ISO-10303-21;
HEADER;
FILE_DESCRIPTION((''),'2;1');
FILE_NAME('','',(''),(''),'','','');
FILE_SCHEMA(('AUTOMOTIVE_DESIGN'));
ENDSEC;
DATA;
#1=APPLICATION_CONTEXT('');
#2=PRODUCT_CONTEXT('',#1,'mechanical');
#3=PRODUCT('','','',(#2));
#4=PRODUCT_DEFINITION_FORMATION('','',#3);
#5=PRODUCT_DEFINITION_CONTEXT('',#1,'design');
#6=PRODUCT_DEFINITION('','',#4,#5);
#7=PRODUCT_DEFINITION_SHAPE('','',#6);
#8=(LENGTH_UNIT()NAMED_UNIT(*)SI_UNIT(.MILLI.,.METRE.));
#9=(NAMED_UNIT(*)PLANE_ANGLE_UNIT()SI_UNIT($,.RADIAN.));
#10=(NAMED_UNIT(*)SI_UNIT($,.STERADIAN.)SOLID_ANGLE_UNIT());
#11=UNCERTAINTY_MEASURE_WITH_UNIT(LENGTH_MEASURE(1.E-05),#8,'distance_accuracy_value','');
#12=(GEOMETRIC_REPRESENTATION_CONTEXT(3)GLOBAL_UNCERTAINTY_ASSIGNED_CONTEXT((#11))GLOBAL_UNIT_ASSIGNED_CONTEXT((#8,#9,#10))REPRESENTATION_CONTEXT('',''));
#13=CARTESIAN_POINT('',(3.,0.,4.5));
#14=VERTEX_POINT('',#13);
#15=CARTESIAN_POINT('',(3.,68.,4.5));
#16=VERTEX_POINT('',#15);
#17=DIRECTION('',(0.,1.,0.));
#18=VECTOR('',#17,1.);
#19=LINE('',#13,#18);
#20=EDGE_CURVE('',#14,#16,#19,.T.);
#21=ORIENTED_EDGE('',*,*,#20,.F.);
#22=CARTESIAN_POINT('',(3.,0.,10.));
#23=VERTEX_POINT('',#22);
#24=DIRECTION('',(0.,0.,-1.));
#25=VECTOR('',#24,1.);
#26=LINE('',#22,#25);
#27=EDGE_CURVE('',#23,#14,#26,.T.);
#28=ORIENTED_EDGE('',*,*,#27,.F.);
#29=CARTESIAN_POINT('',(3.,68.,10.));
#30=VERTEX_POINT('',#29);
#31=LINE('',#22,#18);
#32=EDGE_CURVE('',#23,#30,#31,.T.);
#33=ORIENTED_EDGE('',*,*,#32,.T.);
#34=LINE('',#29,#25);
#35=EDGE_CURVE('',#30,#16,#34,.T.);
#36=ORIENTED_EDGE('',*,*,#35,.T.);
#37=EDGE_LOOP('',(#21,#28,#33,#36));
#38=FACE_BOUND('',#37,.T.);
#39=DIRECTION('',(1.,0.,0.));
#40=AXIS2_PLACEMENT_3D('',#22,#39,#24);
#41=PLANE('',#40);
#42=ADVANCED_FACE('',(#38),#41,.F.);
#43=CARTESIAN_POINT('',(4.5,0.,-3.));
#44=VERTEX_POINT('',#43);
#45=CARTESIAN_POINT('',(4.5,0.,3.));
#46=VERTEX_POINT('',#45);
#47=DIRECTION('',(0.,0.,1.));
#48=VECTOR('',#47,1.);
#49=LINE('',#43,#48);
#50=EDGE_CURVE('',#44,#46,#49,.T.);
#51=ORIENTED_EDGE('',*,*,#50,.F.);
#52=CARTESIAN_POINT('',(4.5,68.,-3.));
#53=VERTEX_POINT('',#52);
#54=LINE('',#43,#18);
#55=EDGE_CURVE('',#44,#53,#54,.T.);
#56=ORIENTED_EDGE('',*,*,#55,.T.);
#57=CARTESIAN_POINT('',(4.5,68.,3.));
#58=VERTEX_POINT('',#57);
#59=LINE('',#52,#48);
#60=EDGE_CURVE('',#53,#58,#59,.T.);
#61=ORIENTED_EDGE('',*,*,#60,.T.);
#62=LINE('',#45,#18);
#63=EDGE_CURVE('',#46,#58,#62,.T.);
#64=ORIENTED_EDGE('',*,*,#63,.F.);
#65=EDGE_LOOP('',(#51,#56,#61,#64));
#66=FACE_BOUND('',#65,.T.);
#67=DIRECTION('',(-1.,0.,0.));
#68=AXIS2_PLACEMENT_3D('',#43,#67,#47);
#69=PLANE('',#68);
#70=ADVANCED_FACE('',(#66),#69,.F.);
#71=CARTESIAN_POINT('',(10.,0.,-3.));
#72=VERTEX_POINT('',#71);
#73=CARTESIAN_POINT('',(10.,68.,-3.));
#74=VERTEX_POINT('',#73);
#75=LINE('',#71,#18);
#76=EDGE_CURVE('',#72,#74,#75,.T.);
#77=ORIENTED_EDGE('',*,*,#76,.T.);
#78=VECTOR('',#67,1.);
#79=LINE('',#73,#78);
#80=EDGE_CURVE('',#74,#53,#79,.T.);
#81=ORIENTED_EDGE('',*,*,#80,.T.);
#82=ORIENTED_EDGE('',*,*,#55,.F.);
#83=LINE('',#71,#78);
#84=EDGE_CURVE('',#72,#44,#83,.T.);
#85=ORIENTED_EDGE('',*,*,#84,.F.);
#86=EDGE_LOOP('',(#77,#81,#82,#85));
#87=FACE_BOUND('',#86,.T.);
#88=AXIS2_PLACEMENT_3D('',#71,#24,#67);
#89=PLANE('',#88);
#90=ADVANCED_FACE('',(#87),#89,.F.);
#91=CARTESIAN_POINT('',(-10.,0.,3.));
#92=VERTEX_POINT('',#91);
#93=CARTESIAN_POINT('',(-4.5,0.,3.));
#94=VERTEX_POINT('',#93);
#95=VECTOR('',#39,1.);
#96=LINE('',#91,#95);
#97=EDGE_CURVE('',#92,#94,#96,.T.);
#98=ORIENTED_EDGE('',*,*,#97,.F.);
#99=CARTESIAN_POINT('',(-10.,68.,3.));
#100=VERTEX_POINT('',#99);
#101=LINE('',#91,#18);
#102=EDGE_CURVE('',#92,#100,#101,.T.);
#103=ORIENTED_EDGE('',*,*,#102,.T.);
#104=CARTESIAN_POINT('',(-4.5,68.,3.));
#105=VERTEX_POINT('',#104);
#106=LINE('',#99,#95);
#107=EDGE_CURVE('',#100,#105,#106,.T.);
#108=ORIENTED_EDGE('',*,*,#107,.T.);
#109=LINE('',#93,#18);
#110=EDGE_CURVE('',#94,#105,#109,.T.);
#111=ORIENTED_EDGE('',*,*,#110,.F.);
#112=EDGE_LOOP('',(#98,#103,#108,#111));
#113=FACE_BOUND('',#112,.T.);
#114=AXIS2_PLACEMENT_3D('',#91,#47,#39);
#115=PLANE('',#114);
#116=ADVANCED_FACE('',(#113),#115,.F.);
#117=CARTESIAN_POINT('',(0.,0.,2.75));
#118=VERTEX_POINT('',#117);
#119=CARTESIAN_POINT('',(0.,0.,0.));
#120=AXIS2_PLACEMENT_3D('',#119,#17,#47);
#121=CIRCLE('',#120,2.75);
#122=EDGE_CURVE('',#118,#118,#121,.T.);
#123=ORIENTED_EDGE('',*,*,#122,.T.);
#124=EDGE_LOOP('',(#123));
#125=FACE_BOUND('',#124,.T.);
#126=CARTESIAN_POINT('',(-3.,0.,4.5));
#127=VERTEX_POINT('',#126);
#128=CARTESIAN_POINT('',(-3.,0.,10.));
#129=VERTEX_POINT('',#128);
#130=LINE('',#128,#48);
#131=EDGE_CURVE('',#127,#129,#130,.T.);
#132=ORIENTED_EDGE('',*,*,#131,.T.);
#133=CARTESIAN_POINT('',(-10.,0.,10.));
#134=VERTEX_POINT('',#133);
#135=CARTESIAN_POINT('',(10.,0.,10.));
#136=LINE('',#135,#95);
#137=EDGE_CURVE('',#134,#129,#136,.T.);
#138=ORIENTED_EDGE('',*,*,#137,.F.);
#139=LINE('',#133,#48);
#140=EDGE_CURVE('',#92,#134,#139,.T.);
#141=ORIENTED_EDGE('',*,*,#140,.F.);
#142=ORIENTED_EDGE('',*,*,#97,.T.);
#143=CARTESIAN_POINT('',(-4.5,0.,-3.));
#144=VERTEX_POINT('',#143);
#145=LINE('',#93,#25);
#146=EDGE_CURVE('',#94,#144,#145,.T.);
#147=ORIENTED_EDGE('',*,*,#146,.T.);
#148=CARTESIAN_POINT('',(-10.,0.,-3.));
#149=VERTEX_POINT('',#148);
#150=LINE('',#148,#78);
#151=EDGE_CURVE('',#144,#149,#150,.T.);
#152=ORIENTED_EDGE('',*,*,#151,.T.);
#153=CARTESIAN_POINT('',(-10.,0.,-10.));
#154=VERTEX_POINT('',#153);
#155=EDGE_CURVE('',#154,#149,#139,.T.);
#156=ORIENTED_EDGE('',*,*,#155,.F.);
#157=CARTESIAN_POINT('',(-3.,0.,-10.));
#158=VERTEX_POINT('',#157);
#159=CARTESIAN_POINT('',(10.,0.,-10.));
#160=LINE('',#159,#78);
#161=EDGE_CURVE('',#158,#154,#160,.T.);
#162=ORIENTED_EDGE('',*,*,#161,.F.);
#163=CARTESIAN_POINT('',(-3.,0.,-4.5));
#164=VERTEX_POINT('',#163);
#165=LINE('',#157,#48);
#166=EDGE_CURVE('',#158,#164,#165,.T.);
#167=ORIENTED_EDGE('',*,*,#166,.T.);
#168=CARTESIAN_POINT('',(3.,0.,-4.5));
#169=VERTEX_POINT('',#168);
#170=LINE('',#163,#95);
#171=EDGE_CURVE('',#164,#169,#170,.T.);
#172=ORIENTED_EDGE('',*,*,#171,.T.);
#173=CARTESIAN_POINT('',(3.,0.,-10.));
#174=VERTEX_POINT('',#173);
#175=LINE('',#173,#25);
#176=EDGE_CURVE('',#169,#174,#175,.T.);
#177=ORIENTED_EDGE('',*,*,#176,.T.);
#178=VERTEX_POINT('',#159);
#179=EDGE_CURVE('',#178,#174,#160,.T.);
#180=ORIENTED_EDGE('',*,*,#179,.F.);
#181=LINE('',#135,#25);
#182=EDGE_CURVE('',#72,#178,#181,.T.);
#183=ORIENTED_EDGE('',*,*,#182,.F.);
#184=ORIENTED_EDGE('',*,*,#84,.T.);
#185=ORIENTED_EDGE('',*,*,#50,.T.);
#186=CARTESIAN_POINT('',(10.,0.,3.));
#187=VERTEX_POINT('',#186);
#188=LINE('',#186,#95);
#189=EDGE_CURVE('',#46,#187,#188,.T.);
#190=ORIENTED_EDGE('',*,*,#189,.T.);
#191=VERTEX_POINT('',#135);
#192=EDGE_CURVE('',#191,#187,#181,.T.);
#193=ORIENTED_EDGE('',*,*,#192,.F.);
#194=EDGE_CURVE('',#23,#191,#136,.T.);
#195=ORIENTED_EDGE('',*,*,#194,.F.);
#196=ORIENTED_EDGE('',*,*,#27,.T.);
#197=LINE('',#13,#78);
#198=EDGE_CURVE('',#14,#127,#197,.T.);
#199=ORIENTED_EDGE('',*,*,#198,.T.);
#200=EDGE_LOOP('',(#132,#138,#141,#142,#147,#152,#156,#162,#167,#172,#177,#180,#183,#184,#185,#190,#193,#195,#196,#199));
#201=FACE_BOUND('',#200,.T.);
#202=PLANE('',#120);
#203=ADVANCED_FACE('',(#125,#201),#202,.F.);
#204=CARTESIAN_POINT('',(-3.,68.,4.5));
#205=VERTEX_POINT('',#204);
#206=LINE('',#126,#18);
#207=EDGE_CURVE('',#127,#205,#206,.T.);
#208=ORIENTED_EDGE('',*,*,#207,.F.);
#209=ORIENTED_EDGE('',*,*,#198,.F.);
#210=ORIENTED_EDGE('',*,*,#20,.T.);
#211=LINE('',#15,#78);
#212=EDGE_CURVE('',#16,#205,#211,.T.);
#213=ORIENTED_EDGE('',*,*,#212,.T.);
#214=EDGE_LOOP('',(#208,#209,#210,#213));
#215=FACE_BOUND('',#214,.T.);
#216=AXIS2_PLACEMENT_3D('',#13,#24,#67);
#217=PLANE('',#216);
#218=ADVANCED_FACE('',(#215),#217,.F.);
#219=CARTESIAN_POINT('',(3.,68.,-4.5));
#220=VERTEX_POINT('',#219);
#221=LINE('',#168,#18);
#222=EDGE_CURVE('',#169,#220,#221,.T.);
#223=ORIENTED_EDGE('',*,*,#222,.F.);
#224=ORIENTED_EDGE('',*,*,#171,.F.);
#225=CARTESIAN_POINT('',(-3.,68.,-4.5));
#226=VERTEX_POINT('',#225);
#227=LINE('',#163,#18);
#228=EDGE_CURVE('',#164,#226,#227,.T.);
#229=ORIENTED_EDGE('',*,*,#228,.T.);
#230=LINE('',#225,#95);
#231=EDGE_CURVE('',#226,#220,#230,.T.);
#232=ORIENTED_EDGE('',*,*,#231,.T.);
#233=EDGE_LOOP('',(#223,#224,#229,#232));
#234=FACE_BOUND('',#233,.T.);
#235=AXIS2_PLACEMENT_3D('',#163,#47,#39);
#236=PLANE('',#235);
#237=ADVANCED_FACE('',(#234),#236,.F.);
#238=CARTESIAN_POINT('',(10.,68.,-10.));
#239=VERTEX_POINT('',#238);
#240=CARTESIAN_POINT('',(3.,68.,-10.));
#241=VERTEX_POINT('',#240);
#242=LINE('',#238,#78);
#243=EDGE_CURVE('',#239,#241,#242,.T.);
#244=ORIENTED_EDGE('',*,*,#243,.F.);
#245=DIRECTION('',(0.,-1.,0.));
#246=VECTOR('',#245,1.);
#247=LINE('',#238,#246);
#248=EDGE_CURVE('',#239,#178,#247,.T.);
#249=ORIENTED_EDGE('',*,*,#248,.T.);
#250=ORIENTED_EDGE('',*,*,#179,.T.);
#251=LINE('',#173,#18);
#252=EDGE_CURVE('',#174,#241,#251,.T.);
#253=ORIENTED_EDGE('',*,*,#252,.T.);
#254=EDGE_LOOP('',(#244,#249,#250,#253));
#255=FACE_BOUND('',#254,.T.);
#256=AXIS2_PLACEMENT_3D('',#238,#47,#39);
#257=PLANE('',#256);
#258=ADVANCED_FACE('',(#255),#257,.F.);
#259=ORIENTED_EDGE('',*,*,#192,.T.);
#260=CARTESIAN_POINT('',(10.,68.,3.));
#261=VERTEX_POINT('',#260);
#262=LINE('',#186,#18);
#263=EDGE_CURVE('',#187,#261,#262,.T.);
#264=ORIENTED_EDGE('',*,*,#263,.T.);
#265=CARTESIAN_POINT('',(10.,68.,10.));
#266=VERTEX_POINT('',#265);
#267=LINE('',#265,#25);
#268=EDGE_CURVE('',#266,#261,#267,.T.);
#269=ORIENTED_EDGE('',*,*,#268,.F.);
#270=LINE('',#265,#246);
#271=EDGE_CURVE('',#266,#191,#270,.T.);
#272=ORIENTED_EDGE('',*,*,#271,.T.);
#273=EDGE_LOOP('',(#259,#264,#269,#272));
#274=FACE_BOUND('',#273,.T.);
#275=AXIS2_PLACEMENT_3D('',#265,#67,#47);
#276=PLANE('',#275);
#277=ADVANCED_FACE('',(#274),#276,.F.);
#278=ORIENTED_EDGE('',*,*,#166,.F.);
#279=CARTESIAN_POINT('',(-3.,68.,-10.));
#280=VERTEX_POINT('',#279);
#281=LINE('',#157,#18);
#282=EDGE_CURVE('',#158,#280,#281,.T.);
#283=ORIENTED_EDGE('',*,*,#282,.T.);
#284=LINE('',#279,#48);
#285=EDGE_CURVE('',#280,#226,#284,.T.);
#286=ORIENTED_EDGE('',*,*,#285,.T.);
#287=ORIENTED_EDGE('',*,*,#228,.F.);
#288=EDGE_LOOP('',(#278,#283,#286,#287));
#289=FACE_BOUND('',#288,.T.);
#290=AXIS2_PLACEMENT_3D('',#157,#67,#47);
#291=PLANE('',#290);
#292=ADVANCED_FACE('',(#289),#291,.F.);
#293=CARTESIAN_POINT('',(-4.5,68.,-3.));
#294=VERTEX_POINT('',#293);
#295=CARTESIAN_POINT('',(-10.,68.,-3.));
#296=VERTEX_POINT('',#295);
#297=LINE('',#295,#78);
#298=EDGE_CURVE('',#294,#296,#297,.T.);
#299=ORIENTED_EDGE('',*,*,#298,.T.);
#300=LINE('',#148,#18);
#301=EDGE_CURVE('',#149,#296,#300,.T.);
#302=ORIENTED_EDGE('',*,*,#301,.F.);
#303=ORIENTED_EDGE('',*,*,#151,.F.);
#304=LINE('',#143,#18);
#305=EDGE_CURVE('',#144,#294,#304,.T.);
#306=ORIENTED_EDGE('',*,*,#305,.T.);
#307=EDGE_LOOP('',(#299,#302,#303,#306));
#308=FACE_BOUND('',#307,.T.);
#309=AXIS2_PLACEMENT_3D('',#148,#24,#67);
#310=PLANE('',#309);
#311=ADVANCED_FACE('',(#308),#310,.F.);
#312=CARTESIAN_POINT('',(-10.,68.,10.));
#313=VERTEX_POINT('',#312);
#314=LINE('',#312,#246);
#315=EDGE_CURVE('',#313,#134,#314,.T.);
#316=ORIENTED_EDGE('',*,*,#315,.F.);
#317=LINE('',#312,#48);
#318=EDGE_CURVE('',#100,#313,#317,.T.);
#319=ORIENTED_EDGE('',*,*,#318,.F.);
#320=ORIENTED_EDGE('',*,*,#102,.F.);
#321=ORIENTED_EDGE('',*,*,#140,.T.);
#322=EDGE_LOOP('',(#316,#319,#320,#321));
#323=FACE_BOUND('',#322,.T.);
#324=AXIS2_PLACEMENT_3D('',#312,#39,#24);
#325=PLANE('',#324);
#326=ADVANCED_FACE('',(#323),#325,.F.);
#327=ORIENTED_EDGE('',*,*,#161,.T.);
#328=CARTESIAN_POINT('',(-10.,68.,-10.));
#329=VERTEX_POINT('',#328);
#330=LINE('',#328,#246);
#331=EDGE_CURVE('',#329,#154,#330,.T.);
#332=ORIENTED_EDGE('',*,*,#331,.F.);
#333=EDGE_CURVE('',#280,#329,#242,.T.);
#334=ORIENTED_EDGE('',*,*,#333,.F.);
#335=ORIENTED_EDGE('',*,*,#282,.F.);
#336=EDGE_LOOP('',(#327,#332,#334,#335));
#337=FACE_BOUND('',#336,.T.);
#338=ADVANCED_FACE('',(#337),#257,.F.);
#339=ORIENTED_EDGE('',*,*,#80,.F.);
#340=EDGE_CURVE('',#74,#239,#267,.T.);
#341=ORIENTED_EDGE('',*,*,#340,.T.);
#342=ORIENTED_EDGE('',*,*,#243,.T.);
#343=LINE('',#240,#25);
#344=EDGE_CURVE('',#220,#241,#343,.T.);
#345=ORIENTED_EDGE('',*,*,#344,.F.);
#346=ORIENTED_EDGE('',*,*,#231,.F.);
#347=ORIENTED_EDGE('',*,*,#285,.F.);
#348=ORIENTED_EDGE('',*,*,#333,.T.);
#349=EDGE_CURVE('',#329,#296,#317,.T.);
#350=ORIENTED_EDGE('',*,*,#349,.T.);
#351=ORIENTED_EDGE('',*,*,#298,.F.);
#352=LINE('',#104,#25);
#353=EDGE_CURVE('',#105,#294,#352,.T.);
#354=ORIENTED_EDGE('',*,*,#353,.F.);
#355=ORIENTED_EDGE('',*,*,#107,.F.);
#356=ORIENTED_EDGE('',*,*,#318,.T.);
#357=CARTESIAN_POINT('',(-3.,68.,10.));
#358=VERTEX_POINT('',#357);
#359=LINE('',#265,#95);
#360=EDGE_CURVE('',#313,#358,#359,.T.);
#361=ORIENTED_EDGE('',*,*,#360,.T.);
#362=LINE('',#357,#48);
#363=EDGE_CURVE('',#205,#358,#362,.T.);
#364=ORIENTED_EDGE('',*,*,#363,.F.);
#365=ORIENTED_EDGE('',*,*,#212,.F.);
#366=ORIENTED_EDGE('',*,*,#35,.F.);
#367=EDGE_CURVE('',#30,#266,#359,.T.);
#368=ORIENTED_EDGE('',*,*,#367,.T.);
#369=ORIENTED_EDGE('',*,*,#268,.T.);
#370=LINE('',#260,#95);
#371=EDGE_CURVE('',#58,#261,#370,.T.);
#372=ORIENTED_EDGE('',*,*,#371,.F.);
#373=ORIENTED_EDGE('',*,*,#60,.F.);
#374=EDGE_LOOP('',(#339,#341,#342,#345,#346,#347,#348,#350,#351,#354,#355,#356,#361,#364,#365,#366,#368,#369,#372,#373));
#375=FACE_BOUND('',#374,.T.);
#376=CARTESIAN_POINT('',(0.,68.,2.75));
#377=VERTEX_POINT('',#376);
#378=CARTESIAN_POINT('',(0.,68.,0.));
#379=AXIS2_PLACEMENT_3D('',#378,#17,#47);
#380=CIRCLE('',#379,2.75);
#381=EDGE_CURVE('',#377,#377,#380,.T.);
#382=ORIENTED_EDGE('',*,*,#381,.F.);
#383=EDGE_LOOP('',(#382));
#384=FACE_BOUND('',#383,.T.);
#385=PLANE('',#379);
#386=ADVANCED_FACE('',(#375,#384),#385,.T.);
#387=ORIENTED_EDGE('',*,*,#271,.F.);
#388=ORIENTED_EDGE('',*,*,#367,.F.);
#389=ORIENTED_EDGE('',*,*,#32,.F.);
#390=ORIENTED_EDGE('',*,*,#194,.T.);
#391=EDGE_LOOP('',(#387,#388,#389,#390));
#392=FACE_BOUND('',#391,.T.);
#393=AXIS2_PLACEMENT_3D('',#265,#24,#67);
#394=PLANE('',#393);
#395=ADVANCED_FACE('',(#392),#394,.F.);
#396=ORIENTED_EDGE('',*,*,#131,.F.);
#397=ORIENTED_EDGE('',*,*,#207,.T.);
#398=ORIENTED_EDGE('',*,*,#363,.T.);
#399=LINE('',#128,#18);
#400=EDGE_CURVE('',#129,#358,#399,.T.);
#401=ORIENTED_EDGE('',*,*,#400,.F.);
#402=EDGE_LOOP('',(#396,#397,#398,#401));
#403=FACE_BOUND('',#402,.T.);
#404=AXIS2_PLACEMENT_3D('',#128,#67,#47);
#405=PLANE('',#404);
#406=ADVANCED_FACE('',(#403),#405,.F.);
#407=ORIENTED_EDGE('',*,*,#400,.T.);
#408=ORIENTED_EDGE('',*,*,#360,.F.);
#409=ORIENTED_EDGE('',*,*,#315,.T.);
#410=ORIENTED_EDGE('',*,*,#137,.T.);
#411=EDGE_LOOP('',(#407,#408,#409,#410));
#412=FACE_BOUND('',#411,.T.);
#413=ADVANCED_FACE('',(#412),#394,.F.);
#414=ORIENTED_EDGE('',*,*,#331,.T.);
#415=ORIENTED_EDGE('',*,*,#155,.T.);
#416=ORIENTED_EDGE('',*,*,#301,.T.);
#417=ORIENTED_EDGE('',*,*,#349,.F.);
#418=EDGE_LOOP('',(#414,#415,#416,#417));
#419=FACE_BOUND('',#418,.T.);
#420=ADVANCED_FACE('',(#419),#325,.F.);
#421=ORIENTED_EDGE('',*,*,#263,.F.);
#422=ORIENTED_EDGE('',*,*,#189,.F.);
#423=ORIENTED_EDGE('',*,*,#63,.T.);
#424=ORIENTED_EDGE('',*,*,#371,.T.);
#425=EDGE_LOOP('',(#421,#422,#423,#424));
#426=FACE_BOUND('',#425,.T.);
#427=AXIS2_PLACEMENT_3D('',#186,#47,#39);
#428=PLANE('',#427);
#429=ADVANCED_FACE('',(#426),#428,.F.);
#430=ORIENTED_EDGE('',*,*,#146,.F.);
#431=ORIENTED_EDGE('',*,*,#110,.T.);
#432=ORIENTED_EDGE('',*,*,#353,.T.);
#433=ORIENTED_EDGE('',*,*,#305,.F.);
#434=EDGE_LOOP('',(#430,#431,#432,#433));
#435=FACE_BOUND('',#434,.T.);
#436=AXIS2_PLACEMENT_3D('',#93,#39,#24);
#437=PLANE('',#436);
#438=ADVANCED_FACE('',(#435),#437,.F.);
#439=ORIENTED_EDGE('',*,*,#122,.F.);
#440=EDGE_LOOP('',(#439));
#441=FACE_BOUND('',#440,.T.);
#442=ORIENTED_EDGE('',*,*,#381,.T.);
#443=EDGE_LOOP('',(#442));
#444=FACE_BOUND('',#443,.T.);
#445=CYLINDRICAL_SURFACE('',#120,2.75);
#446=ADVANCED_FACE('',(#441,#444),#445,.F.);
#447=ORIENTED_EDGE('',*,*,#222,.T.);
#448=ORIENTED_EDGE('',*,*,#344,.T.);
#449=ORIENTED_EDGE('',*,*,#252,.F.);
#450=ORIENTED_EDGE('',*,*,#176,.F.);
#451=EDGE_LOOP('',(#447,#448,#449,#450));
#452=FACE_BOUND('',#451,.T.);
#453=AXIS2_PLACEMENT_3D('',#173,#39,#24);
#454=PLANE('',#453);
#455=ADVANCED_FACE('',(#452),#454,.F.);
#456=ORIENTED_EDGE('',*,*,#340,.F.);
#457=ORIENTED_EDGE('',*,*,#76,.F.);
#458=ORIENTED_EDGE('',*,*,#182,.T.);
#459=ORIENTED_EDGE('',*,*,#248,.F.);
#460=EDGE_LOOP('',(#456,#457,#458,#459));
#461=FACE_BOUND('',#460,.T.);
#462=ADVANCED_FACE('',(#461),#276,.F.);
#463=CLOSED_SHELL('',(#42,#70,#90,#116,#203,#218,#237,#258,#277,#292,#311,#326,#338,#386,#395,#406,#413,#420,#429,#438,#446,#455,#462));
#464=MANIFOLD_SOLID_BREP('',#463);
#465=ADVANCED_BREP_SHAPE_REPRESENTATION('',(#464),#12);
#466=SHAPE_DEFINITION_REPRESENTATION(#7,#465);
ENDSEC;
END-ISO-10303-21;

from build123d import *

# Parameters (mm, degrees)
SKETCH1_W    = 20
SKETCH1_H    = 20
BODY_DEPTH   = 68
SKETCH2_R    = 2.75
SKETCH2_W    = 6
SKETCH2_H    = 5.5
SKETCH2_W_2  = 5.5
SKETCH2_H_2  = 6
PROFIL_DEPTH = 70.455021417


with BuildPart() as part:
    # Sketch1 → Body (new body)
    with BuildSketch(Plane(origin=(0, 0, 0), x_dir=(1, 0, 0), z_dir=(0, 1, 0))):
        Rectangle(SKETCH1_W, SKETCH1_H)
    extrude(amount=BODY_DEPTH)

    # Sketch2 → Profil (cut, through all)
    with BuildSketch(Plane(origin=(0, 68, 0), x_dir=(1, 0, 0), z_dir=(0, 1, 0))):
        with Locations(Location((0, 0, 0), (0, 0, 270))):
            Circle(SKETCH2_R)
        with Locations((0, 7.25)):
            Rectangle(SKETCH2_W, SKETCH2_H)
        with Locations((7.25, 0)):
            Rectangle(SKETCH2_W_2, SKETCH2_H_2)
        with Locations((0, -7.25)):
            Rectangle(SKETCH2_W, SKETCH2_H)
        with Locations((-7.25, 0)):
            Rectangle(SKETCH2_W_2, SKETCH2_H_2)
    extrude(amount=-PROFIL_DEPTH, mode=Mode.SUBTRACT)


solid = part.part
